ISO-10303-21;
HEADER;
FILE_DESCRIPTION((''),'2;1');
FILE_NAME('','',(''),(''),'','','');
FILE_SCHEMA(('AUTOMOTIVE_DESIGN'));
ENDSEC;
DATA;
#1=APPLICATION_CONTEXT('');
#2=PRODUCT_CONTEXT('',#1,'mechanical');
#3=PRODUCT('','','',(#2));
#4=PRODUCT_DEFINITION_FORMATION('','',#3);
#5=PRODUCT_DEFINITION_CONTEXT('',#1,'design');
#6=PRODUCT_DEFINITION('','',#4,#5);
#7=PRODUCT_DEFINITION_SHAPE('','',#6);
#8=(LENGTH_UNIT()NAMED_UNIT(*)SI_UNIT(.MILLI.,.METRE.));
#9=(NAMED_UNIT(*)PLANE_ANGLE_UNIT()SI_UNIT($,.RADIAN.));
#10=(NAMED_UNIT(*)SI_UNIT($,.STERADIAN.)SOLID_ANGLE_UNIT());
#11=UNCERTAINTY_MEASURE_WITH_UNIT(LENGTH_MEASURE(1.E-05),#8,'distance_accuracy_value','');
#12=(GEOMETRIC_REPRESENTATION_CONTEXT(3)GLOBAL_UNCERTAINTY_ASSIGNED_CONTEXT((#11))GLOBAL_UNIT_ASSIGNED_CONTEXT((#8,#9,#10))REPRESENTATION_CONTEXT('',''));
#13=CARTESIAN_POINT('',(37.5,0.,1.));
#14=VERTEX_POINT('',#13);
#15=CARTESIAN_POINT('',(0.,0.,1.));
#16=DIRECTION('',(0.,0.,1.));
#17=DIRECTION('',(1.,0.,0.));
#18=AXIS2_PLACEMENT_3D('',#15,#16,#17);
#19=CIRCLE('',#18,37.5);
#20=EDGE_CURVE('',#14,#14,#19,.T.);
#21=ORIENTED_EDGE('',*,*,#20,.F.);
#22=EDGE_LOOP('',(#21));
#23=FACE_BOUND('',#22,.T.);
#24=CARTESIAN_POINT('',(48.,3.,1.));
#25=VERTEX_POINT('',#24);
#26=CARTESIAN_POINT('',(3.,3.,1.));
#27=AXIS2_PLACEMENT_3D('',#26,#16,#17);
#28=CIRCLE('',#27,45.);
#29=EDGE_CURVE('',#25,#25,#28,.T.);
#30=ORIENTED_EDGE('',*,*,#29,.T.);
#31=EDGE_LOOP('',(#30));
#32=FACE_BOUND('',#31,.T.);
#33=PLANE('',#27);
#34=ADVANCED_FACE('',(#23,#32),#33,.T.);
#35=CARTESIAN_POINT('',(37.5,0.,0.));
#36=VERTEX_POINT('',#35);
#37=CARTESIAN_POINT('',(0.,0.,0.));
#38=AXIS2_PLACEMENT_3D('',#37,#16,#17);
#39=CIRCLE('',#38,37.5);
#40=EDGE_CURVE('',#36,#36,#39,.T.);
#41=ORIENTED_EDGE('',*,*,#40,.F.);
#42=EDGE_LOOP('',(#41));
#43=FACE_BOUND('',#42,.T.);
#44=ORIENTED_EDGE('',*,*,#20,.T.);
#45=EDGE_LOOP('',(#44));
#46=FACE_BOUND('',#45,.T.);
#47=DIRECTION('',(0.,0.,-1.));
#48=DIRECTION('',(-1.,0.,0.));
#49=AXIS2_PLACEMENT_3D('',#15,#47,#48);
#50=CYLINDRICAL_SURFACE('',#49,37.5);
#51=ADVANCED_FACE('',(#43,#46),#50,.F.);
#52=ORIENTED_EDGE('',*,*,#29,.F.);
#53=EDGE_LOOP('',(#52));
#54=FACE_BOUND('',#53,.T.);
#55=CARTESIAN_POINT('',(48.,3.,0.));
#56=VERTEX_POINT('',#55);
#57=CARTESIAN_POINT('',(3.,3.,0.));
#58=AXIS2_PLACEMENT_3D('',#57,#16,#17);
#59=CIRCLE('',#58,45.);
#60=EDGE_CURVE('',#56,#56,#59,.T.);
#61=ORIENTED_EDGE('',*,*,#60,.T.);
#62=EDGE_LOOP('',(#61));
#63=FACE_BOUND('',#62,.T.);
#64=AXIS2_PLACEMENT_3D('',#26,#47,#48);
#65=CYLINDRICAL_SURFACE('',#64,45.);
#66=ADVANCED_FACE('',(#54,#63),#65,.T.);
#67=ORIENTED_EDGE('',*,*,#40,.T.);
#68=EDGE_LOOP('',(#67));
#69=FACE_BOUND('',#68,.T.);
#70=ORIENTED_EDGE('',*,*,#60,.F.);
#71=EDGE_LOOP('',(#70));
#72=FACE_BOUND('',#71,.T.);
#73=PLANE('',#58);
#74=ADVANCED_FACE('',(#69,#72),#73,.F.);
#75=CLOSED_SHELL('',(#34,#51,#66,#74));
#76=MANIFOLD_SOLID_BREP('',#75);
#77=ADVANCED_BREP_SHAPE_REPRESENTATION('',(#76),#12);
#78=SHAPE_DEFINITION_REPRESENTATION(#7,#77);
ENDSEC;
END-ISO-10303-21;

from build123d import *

# Parameters (mm, degrees)
SKETCH2_R          = 45
BASE_EXTRUDE_DEPTH = 1
SKETCH3_R          = 37.5
CUT_EXTRUDE5_DEPTH = 2


with BuildPart() as part:
    # Sketch2 → Base-Extrude (new body)
    with BuildSketch(Plane.XY):
        with Locations((3, 3)):
            Circle(SKETCH2_R)
    extrude(amount=BASE_EXTRUDE_DEPTH)

    # Sketch3 → Cut-Extrude5 (cut, through all)
    with BuildSketch(Plane.XY):
        Circle(SKETCH3_R)
    extrude(amount=CUT_EXTRUDE5_DEPTH, mode=Mode.SUBTRACT)


solid = part.part
